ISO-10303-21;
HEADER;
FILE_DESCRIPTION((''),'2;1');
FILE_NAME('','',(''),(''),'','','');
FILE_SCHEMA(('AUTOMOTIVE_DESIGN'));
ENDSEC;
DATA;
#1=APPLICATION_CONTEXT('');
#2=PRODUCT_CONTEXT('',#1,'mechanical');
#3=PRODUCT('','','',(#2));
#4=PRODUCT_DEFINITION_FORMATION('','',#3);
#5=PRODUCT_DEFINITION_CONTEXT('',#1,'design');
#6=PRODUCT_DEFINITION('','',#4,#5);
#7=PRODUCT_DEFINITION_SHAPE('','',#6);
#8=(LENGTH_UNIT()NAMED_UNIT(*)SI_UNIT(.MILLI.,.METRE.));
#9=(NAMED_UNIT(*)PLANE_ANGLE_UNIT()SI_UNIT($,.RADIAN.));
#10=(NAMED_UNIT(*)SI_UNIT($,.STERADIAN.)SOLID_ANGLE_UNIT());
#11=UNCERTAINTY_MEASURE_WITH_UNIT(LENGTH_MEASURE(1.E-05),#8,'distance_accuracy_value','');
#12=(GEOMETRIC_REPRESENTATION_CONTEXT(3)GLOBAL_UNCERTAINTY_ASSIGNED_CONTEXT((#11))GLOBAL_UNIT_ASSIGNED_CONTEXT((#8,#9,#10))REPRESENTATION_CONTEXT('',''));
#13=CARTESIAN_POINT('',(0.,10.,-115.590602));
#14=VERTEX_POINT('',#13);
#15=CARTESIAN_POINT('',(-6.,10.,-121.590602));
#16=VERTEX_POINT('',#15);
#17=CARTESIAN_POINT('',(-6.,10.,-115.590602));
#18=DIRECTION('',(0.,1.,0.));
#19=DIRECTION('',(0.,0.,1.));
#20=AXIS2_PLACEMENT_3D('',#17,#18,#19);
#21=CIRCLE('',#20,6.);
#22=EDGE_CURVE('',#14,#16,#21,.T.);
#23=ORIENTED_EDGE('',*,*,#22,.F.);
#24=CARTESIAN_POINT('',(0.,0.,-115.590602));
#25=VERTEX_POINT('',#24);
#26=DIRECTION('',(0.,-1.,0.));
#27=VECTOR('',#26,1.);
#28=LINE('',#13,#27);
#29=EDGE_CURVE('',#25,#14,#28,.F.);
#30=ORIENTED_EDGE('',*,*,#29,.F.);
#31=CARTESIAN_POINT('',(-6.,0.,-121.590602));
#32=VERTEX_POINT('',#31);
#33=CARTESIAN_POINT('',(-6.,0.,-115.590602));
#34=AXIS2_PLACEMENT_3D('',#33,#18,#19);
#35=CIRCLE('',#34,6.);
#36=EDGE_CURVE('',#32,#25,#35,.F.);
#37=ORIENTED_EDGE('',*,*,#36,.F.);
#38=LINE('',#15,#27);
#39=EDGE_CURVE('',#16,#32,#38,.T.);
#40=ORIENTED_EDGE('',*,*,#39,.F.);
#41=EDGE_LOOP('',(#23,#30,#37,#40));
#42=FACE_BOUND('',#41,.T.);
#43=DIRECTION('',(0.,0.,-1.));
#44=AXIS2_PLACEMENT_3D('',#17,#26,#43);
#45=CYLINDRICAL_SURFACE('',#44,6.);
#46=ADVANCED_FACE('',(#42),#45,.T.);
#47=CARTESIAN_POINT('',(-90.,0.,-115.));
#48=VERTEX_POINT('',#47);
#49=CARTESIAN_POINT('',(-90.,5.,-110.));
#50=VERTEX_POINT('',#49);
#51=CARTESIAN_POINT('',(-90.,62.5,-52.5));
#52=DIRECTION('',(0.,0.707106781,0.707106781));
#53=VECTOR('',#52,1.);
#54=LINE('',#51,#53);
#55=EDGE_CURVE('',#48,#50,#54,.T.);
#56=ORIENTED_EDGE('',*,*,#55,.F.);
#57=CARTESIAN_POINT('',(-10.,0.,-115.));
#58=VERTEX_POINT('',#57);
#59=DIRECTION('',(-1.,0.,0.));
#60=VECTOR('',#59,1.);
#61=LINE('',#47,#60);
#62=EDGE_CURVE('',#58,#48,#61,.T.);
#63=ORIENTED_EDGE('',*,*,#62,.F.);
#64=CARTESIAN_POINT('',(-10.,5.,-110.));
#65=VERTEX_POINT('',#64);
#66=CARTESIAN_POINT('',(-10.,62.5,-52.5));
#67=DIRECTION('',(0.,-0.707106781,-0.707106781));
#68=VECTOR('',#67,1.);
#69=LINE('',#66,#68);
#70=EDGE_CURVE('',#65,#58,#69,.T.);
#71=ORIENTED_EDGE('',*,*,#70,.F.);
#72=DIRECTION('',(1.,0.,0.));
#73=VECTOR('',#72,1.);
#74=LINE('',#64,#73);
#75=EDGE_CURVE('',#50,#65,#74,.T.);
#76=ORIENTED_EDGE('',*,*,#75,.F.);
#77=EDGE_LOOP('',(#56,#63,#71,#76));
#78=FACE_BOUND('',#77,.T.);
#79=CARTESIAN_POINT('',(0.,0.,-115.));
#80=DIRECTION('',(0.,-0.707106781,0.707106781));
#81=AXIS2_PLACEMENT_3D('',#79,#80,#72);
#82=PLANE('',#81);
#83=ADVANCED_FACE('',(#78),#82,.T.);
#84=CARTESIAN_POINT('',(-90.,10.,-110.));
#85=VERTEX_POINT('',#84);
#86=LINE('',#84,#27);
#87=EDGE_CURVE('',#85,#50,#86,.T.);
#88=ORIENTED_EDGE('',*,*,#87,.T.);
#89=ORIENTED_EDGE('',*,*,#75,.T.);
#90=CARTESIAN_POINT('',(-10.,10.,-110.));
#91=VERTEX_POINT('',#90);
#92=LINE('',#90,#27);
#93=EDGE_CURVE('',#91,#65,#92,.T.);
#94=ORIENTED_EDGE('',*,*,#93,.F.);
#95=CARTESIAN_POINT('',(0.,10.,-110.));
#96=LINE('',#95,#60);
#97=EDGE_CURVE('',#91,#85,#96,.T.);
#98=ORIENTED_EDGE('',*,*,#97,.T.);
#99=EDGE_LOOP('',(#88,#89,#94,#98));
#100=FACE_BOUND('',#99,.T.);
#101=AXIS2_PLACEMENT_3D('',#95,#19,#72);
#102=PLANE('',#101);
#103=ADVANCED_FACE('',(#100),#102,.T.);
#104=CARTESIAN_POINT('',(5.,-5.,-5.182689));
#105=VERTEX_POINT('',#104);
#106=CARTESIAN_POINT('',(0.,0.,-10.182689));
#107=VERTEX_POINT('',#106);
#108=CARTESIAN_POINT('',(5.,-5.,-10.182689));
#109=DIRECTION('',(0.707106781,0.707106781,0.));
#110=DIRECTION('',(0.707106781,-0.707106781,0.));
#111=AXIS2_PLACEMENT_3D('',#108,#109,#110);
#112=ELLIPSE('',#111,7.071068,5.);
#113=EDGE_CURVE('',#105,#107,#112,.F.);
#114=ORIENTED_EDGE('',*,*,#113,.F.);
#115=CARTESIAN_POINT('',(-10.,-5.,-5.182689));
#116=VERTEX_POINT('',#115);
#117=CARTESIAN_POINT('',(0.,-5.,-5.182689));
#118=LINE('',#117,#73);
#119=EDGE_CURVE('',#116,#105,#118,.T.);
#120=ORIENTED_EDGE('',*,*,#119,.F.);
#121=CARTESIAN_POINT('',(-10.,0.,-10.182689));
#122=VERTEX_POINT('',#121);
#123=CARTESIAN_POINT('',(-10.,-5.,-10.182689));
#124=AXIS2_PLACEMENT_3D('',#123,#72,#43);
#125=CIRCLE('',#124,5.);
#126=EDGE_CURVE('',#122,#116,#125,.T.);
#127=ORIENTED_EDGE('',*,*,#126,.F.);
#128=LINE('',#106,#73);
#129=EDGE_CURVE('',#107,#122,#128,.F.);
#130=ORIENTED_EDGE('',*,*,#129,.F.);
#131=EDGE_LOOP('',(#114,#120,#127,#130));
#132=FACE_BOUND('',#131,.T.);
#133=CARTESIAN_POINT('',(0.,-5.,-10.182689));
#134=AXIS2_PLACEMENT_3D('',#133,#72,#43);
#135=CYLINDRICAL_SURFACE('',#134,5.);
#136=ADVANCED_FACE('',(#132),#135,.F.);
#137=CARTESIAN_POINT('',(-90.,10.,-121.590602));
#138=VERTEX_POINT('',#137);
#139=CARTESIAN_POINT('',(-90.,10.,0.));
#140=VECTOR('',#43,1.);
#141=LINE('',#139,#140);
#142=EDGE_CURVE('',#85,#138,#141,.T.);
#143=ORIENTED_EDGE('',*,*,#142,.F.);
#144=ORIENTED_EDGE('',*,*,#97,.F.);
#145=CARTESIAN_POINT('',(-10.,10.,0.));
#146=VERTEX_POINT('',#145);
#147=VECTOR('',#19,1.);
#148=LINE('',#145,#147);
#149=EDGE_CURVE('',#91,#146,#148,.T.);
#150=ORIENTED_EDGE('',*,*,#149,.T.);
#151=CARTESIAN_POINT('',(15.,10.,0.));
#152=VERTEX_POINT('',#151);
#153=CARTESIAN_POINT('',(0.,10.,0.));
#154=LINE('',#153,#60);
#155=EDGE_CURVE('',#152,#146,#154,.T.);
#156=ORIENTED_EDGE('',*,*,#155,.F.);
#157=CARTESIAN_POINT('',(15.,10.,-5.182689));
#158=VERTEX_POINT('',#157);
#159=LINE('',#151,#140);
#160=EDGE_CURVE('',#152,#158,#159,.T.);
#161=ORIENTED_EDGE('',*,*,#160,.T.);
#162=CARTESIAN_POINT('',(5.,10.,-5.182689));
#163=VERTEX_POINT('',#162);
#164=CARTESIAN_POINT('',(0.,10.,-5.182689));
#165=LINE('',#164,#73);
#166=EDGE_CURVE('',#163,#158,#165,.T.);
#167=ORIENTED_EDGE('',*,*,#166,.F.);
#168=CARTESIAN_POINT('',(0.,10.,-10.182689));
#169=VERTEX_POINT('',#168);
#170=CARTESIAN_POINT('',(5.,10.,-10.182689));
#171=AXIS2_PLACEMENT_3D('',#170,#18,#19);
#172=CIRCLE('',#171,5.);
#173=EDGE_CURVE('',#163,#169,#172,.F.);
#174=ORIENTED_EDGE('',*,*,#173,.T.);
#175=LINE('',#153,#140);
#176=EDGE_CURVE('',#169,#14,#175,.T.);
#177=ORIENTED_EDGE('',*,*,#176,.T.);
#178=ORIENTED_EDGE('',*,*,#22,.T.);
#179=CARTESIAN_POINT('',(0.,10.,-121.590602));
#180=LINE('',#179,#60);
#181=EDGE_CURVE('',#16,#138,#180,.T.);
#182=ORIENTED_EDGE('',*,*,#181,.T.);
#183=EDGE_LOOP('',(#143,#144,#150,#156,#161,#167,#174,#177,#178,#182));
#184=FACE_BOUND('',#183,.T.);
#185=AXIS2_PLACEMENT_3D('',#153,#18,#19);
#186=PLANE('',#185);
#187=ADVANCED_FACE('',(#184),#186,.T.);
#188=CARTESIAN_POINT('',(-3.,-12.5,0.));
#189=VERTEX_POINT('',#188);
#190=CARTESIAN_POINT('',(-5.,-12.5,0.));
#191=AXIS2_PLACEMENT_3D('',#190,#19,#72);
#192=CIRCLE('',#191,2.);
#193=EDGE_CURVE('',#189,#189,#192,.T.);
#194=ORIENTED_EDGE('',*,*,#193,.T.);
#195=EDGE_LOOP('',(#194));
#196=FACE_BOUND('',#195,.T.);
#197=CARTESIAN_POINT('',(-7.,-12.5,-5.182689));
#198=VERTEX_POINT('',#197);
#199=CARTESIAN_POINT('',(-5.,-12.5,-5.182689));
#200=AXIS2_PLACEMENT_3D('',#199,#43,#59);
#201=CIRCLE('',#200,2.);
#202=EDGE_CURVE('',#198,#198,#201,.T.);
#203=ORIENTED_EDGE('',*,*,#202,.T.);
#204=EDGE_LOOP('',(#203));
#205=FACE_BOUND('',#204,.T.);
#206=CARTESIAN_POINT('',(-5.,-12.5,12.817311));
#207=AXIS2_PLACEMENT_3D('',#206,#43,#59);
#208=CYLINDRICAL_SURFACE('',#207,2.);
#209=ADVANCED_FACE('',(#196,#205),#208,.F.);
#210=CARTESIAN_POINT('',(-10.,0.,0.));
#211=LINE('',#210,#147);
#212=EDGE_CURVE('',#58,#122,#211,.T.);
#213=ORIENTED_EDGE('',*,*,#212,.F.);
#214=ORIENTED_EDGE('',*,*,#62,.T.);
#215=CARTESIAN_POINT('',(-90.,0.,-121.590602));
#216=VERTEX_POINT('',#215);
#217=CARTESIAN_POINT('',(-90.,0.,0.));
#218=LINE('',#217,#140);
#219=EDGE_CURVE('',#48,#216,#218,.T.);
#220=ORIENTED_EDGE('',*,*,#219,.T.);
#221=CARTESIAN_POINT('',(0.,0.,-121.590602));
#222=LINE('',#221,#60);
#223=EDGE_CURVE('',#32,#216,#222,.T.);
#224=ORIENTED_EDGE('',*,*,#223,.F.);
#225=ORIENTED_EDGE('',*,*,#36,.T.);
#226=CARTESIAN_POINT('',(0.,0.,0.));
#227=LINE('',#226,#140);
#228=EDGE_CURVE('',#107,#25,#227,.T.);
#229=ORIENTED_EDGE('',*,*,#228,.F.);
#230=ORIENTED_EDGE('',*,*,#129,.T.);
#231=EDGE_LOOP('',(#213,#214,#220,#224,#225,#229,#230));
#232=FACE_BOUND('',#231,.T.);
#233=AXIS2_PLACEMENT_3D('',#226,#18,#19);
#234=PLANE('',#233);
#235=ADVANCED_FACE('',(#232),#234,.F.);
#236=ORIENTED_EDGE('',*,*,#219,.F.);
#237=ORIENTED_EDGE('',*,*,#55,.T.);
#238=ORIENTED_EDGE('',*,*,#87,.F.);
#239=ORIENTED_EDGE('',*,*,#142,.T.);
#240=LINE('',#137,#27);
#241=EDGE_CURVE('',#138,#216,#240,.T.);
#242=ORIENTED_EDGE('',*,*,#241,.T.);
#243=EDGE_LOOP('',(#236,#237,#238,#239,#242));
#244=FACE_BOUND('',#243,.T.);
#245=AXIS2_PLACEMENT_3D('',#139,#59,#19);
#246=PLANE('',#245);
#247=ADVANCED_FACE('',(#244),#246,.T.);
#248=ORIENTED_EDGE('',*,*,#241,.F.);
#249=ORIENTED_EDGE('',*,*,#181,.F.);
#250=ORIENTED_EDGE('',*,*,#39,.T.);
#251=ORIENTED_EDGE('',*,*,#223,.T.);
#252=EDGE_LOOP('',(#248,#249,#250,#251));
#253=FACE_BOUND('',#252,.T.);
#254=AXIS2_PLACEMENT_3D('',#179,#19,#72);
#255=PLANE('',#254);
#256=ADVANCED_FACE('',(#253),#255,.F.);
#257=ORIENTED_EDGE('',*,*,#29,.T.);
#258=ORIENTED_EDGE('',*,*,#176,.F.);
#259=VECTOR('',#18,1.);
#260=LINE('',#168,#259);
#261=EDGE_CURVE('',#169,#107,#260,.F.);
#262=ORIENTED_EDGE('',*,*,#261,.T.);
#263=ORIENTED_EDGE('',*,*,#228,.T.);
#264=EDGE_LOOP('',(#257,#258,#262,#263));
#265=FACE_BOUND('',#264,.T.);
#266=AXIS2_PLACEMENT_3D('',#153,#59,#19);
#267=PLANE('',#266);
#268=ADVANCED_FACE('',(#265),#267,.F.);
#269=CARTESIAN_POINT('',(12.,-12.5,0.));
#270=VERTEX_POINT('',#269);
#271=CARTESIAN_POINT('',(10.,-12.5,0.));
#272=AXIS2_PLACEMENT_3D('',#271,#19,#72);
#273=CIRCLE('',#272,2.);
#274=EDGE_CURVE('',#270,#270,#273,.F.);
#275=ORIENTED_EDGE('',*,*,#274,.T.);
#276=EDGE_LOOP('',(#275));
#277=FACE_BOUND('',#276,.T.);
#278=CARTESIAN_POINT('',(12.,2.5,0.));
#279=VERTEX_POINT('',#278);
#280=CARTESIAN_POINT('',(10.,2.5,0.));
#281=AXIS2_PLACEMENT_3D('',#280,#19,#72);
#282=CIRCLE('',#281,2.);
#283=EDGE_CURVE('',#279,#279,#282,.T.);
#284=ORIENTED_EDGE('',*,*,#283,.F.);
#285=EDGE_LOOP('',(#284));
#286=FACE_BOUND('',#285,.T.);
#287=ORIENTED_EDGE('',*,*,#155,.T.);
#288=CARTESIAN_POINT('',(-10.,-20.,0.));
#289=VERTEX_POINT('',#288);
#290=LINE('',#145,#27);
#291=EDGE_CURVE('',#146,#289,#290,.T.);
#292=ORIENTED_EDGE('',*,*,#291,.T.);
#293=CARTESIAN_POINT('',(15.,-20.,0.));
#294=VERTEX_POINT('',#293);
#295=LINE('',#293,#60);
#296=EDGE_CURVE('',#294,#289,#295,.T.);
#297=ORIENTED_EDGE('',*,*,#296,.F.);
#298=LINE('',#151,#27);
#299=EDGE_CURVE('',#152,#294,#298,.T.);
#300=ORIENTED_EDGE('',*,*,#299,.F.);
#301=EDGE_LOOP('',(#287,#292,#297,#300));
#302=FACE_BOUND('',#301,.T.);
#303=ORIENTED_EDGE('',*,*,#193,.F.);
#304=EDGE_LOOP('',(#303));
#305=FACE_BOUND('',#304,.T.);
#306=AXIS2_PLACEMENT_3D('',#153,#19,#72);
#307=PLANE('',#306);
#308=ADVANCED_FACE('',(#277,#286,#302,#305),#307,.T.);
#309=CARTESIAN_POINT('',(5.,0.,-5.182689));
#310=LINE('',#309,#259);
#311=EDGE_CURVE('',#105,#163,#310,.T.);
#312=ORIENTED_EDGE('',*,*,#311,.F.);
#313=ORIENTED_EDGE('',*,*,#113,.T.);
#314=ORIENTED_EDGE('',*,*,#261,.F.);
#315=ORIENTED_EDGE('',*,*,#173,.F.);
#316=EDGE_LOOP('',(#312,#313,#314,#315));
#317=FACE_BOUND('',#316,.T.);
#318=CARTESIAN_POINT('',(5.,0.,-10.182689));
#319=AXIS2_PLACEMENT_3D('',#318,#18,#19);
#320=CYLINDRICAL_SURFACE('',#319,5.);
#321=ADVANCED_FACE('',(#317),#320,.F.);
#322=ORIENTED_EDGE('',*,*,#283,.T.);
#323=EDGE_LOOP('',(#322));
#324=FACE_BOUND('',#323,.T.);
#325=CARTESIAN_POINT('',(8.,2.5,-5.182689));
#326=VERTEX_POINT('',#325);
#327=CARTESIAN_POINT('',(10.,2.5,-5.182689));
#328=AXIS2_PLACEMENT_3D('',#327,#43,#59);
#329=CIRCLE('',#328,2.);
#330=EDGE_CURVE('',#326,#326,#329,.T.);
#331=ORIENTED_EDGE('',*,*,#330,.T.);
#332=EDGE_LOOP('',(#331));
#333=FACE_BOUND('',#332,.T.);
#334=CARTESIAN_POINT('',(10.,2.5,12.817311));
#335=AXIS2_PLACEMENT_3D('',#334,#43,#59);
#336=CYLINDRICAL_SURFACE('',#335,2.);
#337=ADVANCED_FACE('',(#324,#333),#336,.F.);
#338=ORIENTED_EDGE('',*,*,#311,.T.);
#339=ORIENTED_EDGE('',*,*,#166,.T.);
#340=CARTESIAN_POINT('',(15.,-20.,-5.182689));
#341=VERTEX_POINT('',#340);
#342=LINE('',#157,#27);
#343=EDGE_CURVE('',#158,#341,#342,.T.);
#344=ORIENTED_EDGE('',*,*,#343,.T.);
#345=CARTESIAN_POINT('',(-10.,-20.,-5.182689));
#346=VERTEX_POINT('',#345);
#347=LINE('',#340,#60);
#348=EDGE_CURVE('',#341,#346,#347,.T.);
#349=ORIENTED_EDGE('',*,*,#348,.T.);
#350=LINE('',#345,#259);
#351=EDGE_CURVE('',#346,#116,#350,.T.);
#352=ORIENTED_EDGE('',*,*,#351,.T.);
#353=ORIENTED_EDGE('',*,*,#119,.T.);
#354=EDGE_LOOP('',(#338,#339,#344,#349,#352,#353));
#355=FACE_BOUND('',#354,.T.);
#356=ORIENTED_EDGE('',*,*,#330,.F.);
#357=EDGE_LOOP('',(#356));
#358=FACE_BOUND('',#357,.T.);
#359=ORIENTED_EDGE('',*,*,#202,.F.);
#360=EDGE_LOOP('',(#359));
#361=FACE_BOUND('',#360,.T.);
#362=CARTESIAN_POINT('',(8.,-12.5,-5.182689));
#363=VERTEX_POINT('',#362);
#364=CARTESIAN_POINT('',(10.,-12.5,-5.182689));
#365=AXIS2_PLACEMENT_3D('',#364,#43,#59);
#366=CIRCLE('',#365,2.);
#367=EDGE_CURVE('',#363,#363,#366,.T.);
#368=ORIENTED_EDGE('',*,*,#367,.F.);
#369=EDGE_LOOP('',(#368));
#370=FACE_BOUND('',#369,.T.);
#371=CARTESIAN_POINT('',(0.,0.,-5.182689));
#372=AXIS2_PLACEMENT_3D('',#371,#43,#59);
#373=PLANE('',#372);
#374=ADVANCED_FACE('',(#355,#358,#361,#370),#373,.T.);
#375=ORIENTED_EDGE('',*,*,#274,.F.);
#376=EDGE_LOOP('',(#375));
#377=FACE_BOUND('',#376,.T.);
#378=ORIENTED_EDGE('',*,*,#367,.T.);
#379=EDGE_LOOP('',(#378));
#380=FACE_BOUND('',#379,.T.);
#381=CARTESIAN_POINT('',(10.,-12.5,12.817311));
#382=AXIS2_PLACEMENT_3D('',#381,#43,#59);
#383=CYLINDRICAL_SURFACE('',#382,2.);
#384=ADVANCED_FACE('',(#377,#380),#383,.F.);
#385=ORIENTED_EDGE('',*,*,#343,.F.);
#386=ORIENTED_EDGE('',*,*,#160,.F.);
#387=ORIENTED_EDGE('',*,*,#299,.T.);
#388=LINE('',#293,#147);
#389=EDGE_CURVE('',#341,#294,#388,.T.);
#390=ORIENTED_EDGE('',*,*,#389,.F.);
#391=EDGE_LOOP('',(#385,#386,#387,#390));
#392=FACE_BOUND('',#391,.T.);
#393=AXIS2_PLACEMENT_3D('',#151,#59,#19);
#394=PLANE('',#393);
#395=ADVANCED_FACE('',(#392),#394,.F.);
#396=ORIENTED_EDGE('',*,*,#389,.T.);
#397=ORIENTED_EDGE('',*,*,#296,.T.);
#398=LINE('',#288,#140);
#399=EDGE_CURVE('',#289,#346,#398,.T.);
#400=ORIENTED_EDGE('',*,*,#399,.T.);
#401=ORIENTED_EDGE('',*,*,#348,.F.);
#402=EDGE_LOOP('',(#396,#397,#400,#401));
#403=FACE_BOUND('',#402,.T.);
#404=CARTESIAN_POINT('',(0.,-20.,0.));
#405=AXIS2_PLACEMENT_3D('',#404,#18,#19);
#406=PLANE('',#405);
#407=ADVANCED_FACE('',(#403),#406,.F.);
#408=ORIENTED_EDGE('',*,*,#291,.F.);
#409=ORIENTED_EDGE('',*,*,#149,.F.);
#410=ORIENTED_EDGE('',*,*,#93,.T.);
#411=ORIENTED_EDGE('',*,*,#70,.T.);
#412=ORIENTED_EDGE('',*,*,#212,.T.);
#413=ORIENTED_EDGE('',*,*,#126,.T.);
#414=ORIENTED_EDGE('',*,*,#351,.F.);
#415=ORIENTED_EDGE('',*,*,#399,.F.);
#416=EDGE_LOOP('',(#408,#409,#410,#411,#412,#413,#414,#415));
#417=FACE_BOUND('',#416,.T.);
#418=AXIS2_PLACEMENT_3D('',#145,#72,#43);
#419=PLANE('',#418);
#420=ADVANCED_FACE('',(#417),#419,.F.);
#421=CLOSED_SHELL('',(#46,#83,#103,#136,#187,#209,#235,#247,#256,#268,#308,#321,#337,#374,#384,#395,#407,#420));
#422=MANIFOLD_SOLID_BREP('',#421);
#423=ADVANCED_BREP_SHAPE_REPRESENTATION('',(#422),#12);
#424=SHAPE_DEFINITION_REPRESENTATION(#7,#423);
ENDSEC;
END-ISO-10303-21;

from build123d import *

# Parameters (mm, degrees)
SKETCH1_W           = 10
SKETCH1_H           = 110
SKETCH1_W_2         = 15
SKETCH1_H_2         = 7.182689318
BOSS_EXTRUDE1_DEPTH = 10
SKETCH2_W           = 25
SKETCH2_H           = 7.182689318
BOSS_EXTRUDE2_DEPTH = 20
SKETCH3_R           = 2
CUT_EXTRUDE1_DEPTH  = 20
SKETCH4_R           = 2
CUT_EXTRUDE2_DEPTH  = 2
FILLET2_R           = 5
CHAMFER2_SIZE       = 5
FILLET3_R           = 6


with BuildPart() as part:
    # Sketch1 → Boss-Extrude1 (new body)
    with BuildSketch(Plane(origin=(0, 0, 0), x_dir=(1, 0, 0), z_dir=(0, 1, 0))):
        Polygon((-10, 110), (0, 110), (0, 121.590602055), (-90, 121.590602055), (-90, 110), align=None)
        with Locations((-5, 55)):
            Rectangle(SKETCH1_W, SKETCH1_H)
        with Locations((7.5, 3.591344659)):
            Rectangle(SKETCH1_W_2, SKETCH1_H_2)
    extrude(amount=BOSS_EXTRUDE1_DEPTH)

    # Sketch2 → Boss-Extrude2 (add)
    with BuildSketch(Plane.XZ):
        with Locations((2.5, -3.591344659)):
            Rectangle(SKETCH2_W, SKETCH2_H)
    extrude(amount=BOSS_EXTRUDE2_DEPTH)

    # Sketch3 → Cut-Extrude1 (cut)
    with BuildSketch(Plane(origin=(0, 0, -7.182689318), x_dir=(-1, 0, 0), z_dir=(0, 0, -1))):
        with Locations((-10, 2.5)):
            Circle(SKETCH3_R)
        with Locations(Location((-10, -12.5, 0), (0, 0, 180))):
            Circle(SKETCH3_R)
        with Locations((5, -12.5)):
            Circle(SKETCH3_R)
    extrude(amount=-CUT_EXTRUDE1_DEPTH, mode=Mode.SUBTRACT)

    # Sketch4 → Cut-Extrude2 (cut)
    with BuildSketch(Plane(origin=(0, 0, -7.182689318), x_dir=(-1, 0, 0), z_dir=(0, 0, -1))):
        Polygon((10, 0), (0, 0), (0, 10), (-15, 10), (-15, -20), (10, -20), align=None)
        with Locations((5, -12.5)):
            Circle(SKETCH4_R, mode=Mode.SUBTRACT)
        with Locations((-10, -12.5)):
            Circle(SKETCH4_R, mode=Mode.SUBTRACT)
        with Locations((-10, 2.5)):
            Circle(SKETCH4_R, mode=Mode.SUBTRACT)
    extrude(amount=-CUT_EXTRUDE2_DEPTH, mode=Mode.SUBTRACT)

    # Fillet2
    fillet2_edges = [part.edges().sort_by_distance(p)[0] for p in [
        (0, 5, -5.182689318),
        (-5, 0, -5.182689318),
    ]]
    fillet(fillet2_edges, radius=FILLET2_R)

    # Chamfer2
    chamfer2_edges = [part.edges().sort_by_distance(p)[0] for p in [
        (-50, 0, -110),
    ]]
    chamfer(chamfer2_edges, length=CHAMFER2_SIZE)

    # Fillet3
    fillet3_edges = [part.edges().sort_by_distance(p)[0] for p in [
        (0, 5, -121.590602055),
    ]]
    fillet(fillet3_edges, radius=FILLET3_R)


solid = part.part
